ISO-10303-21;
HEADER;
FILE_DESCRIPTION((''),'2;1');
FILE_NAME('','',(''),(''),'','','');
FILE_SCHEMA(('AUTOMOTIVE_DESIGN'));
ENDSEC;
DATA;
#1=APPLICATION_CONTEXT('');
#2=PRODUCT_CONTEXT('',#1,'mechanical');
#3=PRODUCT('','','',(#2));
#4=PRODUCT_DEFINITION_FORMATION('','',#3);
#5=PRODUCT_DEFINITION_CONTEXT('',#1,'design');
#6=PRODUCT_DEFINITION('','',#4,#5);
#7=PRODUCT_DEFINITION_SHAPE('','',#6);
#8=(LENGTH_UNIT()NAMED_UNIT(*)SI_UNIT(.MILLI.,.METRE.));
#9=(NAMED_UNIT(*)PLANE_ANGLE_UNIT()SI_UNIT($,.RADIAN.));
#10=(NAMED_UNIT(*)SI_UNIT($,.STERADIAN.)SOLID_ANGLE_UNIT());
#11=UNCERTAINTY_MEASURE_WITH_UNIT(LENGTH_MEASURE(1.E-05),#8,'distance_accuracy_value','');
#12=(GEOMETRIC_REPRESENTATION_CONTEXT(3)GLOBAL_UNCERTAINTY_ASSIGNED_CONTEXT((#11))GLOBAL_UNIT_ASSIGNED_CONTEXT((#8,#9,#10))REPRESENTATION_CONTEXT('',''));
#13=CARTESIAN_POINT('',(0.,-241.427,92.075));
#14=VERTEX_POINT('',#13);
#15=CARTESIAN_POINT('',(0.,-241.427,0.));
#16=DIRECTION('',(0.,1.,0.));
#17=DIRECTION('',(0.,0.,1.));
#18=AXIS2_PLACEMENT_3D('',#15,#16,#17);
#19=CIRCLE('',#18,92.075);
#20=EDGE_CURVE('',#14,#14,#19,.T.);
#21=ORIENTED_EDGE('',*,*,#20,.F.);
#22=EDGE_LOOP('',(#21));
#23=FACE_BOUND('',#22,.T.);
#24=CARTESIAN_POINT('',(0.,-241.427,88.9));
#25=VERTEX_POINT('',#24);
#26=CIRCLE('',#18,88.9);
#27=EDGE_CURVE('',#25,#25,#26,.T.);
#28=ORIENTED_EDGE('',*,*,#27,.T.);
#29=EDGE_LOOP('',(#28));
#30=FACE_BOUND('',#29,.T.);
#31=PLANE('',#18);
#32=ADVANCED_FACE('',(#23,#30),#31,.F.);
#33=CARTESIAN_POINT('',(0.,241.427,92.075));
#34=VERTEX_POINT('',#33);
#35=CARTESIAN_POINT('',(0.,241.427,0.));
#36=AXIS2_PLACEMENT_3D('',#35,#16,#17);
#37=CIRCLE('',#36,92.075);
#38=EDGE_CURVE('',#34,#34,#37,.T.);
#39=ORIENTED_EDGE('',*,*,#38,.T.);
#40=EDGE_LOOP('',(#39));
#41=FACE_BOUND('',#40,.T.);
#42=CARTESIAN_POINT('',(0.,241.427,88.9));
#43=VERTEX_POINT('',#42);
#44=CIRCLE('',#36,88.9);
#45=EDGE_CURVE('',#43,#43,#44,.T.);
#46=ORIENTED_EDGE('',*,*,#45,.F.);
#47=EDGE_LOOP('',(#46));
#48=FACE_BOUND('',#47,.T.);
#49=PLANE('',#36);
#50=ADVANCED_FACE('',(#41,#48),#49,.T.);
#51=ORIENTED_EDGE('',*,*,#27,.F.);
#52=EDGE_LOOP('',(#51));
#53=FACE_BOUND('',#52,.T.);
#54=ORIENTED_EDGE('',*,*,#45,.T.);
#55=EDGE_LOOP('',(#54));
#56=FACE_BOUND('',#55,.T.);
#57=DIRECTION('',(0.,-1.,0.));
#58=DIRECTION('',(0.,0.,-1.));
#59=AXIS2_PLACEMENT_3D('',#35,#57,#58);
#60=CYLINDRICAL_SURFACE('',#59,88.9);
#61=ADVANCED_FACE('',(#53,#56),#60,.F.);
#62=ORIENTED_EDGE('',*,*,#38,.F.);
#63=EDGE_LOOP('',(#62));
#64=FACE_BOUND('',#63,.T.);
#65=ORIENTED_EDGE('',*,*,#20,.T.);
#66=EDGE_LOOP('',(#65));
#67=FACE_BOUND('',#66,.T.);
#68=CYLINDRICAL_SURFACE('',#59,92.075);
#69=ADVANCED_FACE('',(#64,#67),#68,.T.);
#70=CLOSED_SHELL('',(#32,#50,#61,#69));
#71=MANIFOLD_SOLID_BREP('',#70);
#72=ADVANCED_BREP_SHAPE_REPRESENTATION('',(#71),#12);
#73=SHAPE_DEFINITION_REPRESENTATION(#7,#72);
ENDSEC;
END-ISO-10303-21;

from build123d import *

# Parameters (mm, degrees)
SKETCH1_R           = 92.075
SKETCH1_R_2         = 88.9
BOSS_EXTRUDE1_DEPTH = 241.427


with BuildPart() as part:
    # Sketch1 → Boss-Extrude1 (new, symmetric)
    with BuildSketch(Plane(origin=(0, 0, 0), x_dir=(1, 0, 0), z_dir=(0, 1, 0))):
        with Locations(Location((0, 0, 0), (0, 0, 270))):
            Circle(SKETCH1_R)
        with Locations(Location((0, 0, 0), (0, 0, 270))):
            Circle(SKETCH1_R_2, mode=Mode.SUBTRACT)
    extrude(amount=BOSS_EXTRUDE1_DEPTH, both=True)


solid = part.part
